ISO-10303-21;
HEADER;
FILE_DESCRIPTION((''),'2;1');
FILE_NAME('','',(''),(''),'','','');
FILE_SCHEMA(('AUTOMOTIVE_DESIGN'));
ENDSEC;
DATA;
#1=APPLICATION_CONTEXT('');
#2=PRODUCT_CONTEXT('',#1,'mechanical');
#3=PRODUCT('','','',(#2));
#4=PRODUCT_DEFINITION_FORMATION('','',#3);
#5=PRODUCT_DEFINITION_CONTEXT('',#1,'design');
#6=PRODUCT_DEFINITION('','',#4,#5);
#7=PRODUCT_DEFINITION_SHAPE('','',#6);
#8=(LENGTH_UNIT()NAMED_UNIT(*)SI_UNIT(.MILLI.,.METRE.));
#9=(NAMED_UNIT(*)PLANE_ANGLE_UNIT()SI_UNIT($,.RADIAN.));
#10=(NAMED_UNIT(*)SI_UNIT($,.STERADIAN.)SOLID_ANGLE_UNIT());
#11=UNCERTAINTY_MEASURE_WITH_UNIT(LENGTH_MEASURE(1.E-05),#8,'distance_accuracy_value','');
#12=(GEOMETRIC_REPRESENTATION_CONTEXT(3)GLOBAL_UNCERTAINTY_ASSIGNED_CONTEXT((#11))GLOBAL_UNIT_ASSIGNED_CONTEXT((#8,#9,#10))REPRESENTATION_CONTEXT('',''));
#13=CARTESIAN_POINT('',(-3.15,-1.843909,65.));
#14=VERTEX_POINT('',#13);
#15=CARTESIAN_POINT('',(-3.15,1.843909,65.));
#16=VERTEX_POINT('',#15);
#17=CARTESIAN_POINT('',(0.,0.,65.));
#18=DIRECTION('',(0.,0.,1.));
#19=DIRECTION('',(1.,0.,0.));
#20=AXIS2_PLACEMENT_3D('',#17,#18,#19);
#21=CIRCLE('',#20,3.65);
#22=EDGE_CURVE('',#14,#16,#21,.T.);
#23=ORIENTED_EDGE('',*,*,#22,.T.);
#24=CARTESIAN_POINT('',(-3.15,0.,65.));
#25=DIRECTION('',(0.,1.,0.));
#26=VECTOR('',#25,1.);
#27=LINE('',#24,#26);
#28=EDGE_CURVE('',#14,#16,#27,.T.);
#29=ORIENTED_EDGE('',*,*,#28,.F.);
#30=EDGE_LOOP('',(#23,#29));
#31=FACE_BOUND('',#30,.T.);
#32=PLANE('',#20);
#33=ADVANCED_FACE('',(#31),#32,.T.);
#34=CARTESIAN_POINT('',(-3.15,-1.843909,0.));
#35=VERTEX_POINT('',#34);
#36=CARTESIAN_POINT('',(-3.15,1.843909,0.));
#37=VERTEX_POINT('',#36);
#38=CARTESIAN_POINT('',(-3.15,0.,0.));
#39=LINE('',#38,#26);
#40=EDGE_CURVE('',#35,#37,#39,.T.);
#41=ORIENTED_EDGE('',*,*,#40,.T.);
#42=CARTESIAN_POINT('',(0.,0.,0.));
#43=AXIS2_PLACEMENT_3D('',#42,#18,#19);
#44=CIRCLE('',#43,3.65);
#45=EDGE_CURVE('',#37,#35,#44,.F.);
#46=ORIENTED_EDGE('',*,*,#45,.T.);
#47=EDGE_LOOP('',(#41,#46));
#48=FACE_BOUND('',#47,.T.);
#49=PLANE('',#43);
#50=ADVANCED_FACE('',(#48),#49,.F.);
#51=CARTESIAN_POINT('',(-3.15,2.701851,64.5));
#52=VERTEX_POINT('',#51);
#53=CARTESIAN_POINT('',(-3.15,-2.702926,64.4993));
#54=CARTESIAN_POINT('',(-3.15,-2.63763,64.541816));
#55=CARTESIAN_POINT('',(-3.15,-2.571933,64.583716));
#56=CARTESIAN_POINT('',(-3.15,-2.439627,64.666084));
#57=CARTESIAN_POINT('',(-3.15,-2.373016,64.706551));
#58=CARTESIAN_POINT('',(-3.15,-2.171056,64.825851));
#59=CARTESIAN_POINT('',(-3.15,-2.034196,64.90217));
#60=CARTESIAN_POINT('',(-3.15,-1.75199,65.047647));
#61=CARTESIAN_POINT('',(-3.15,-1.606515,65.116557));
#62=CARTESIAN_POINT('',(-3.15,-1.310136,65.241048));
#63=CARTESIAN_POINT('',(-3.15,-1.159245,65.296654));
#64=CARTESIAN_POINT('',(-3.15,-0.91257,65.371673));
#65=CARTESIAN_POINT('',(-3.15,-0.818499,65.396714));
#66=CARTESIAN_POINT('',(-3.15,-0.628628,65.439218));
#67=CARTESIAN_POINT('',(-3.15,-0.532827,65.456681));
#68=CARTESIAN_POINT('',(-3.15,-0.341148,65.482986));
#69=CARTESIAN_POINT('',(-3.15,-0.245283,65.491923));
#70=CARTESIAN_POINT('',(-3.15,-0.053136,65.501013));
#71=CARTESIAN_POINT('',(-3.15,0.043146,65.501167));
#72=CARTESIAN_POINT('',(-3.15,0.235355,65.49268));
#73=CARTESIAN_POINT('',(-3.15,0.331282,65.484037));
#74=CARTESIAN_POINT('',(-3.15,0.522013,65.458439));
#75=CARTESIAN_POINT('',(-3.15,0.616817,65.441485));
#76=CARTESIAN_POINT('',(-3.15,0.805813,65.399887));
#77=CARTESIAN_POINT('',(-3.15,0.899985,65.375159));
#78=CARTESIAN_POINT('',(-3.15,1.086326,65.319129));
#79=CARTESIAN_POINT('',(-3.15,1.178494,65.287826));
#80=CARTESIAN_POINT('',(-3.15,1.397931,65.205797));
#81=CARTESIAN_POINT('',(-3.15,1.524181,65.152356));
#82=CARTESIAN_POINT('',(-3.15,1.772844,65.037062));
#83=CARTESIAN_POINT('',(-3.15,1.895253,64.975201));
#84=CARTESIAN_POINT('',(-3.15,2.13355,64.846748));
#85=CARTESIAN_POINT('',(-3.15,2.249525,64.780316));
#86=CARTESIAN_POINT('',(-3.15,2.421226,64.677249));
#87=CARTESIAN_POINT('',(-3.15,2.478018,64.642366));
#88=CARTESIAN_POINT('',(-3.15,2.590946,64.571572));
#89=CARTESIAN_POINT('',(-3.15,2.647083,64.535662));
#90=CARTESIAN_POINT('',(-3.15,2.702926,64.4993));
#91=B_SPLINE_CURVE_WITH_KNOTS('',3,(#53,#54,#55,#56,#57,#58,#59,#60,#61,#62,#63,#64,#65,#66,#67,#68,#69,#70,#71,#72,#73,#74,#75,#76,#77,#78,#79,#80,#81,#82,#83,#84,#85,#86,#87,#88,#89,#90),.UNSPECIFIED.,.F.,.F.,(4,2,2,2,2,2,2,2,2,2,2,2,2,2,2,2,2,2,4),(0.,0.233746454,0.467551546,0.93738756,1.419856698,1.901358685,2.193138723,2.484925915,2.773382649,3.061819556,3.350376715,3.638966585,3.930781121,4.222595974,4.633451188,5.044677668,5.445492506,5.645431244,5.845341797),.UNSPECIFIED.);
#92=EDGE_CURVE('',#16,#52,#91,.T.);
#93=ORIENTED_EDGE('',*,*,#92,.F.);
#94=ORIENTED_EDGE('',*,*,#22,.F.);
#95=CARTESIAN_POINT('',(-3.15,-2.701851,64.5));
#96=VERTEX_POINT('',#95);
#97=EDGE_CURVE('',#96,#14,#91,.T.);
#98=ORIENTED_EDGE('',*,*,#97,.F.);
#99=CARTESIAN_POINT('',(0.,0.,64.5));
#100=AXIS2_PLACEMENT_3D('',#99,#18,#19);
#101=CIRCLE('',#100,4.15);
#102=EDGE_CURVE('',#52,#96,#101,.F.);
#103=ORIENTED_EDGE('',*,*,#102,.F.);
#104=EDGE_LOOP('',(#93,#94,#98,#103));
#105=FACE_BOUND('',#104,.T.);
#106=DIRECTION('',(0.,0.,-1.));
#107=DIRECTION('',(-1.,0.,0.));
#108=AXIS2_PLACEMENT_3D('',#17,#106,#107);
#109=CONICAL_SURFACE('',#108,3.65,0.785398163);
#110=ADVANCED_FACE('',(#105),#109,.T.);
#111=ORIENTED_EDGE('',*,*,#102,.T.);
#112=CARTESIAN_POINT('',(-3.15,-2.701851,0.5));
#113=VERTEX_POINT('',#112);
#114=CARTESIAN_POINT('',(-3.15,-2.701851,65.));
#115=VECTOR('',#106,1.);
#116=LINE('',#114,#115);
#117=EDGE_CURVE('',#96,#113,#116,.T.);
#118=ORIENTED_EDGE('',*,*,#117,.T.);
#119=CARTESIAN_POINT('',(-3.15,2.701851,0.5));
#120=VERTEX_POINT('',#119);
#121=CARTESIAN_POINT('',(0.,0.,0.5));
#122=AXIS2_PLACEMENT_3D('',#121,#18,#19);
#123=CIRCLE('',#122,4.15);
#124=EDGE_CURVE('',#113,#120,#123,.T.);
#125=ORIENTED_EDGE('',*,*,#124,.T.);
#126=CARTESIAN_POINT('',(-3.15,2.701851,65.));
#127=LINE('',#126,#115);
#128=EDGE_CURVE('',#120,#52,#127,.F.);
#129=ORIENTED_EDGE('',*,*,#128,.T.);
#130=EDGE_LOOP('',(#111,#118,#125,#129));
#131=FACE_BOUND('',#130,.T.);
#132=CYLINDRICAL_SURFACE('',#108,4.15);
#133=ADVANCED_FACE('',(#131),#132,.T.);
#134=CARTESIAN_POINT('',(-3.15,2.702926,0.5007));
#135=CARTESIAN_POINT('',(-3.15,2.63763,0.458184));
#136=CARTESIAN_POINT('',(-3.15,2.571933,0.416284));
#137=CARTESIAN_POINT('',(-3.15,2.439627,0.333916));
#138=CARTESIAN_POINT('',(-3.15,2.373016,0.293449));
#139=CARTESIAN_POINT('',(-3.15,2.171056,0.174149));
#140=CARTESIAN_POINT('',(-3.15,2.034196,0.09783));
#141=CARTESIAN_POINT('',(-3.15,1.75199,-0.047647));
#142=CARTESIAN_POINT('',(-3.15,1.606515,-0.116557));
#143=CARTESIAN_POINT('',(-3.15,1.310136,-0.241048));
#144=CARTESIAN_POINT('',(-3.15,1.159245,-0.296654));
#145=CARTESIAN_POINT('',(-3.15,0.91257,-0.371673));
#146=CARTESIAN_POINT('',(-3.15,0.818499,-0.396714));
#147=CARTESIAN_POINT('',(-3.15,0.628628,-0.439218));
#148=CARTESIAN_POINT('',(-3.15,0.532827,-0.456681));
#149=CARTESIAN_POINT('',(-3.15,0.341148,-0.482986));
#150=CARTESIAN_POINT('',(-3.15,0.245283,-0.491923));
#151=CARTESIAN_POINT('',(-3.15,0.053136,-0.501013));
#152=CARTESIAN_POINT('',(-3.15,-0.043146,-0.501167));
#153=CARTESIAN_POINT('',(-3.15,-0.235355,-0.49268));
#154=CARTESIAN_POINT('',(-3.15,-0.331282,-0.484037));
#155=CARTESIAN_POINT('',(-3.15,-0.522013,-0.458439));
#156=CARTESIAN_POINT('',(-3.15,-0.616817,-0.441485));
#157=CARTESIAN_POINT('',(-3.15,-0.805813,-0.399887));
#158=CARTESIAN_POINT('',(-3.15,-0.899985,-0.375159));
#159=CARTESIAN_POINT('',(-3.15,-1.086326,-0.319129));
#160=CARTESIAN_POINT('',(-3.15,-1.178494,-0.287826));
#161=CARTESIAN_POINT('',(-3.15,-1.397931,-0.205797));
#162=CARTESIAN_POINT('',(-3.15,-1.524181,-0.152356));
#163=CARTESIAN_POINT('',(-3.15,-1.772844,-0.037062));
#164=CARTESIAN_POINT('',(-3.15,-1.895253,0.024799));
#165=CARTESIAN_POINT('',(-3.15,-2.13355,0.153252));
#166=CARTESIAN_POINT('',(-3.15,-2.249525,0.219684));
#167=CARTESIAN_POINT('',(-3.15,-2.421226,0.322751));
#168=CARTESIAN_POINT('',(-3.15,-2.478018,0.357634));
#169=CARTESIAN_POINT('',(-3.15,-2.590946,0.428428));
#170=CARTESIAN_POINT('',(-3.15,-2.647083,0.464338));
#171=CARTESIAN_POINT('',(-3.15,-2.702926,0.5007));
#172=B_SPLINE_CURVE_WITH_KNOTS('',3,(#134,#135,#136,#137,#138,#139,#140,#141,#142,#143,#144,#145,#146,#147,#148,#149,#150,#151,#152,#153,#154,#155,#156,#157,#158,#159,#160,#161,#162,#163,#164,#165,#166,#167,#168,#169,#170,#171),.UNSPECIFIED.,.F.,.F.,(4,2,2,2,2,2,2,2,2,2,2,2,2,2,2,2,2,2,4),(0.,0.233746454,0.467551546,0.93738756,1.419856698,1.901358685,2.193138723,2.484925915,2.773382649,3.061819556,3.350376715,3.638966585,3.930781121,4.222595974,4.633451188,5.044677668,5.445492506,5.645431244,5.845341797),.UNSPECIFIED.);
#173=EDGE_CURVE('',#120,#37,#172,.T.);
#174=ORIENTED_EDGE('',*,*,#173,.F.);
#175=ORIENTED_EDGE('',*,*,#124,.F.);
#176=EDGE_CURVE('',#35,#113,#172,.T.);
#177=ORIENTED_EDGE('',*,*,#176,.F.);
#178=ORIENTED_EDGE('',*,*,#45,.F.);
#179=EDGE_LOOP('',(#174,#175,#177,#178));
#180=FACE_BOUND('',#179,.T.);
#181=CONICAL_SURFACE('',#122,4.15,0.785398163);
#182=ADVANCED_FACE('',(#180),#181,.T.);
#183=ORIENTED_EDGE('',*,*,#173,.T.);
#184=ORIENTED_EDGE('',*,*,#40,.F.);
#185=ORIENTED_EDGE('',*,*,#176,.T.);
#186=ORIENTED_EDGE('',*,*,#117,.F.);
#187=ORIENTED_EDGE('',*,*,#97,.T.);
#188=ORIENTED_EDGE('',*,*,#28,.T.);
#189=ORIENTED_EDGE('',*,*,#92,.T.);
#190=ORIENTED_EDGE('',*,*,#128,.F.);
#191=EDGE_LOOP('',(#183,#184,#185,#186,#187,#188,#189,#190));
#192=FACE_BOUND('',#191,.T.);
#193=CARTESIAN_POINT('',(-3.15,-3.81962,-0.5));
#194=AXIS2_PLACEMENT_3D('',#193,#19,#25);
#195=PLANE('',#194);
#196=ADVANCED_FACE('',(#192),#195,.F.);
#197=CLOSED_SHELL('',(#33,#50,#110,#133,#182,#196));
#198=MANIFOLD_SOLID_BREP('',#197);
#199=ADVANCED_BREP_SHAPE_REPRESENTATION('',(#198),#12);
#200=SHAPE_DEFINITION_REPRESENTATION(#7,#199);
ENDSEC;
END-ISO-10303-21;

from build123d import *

# Parameters (mm, degrees)
SKETCH1_R           = 4.15
BOSS_EXTRUDE1_DEPTH = 65
CHAMFER1_SIZE       = 0.5
SKETCH2_W           = 1.287128146
SKETCH2_H           = 7.63924008
CUT_EXTRUDE1_DEPTH  = 33


with BuildPart() as part:
    # Sketch1 → Boss-Extrude1 (new body)
    with BuildSketch(Plane.XY):
        Circle(SKETCH1_R)
    extrude(amount=BOSS_EXTRUDE1_DEPTH)

    # Chamfer1
    chamfer1_edges = [part.edges().sort_by_distance(p)[0] for p in [
        (-4.15, 0, 0),
        (-4.15, 0, 65),
    ]]
    chamfer(chamfer1_edges, length=CHAMFER1_SIZE)

    # Sketch2 → Cut-Extrude1 (cut, symmetric)
    with BuildSketch(Plane.XY.offset(32.5)):
        with Locations((-3.793564073, 0)):
            Rectangle(SKETCH2_W, SKETCH2_H)
    extrude(amount=CUT_EXTRUDE1_DEPTH, both=True, mode=Mode.SUBTRACT)


solid = part.part
